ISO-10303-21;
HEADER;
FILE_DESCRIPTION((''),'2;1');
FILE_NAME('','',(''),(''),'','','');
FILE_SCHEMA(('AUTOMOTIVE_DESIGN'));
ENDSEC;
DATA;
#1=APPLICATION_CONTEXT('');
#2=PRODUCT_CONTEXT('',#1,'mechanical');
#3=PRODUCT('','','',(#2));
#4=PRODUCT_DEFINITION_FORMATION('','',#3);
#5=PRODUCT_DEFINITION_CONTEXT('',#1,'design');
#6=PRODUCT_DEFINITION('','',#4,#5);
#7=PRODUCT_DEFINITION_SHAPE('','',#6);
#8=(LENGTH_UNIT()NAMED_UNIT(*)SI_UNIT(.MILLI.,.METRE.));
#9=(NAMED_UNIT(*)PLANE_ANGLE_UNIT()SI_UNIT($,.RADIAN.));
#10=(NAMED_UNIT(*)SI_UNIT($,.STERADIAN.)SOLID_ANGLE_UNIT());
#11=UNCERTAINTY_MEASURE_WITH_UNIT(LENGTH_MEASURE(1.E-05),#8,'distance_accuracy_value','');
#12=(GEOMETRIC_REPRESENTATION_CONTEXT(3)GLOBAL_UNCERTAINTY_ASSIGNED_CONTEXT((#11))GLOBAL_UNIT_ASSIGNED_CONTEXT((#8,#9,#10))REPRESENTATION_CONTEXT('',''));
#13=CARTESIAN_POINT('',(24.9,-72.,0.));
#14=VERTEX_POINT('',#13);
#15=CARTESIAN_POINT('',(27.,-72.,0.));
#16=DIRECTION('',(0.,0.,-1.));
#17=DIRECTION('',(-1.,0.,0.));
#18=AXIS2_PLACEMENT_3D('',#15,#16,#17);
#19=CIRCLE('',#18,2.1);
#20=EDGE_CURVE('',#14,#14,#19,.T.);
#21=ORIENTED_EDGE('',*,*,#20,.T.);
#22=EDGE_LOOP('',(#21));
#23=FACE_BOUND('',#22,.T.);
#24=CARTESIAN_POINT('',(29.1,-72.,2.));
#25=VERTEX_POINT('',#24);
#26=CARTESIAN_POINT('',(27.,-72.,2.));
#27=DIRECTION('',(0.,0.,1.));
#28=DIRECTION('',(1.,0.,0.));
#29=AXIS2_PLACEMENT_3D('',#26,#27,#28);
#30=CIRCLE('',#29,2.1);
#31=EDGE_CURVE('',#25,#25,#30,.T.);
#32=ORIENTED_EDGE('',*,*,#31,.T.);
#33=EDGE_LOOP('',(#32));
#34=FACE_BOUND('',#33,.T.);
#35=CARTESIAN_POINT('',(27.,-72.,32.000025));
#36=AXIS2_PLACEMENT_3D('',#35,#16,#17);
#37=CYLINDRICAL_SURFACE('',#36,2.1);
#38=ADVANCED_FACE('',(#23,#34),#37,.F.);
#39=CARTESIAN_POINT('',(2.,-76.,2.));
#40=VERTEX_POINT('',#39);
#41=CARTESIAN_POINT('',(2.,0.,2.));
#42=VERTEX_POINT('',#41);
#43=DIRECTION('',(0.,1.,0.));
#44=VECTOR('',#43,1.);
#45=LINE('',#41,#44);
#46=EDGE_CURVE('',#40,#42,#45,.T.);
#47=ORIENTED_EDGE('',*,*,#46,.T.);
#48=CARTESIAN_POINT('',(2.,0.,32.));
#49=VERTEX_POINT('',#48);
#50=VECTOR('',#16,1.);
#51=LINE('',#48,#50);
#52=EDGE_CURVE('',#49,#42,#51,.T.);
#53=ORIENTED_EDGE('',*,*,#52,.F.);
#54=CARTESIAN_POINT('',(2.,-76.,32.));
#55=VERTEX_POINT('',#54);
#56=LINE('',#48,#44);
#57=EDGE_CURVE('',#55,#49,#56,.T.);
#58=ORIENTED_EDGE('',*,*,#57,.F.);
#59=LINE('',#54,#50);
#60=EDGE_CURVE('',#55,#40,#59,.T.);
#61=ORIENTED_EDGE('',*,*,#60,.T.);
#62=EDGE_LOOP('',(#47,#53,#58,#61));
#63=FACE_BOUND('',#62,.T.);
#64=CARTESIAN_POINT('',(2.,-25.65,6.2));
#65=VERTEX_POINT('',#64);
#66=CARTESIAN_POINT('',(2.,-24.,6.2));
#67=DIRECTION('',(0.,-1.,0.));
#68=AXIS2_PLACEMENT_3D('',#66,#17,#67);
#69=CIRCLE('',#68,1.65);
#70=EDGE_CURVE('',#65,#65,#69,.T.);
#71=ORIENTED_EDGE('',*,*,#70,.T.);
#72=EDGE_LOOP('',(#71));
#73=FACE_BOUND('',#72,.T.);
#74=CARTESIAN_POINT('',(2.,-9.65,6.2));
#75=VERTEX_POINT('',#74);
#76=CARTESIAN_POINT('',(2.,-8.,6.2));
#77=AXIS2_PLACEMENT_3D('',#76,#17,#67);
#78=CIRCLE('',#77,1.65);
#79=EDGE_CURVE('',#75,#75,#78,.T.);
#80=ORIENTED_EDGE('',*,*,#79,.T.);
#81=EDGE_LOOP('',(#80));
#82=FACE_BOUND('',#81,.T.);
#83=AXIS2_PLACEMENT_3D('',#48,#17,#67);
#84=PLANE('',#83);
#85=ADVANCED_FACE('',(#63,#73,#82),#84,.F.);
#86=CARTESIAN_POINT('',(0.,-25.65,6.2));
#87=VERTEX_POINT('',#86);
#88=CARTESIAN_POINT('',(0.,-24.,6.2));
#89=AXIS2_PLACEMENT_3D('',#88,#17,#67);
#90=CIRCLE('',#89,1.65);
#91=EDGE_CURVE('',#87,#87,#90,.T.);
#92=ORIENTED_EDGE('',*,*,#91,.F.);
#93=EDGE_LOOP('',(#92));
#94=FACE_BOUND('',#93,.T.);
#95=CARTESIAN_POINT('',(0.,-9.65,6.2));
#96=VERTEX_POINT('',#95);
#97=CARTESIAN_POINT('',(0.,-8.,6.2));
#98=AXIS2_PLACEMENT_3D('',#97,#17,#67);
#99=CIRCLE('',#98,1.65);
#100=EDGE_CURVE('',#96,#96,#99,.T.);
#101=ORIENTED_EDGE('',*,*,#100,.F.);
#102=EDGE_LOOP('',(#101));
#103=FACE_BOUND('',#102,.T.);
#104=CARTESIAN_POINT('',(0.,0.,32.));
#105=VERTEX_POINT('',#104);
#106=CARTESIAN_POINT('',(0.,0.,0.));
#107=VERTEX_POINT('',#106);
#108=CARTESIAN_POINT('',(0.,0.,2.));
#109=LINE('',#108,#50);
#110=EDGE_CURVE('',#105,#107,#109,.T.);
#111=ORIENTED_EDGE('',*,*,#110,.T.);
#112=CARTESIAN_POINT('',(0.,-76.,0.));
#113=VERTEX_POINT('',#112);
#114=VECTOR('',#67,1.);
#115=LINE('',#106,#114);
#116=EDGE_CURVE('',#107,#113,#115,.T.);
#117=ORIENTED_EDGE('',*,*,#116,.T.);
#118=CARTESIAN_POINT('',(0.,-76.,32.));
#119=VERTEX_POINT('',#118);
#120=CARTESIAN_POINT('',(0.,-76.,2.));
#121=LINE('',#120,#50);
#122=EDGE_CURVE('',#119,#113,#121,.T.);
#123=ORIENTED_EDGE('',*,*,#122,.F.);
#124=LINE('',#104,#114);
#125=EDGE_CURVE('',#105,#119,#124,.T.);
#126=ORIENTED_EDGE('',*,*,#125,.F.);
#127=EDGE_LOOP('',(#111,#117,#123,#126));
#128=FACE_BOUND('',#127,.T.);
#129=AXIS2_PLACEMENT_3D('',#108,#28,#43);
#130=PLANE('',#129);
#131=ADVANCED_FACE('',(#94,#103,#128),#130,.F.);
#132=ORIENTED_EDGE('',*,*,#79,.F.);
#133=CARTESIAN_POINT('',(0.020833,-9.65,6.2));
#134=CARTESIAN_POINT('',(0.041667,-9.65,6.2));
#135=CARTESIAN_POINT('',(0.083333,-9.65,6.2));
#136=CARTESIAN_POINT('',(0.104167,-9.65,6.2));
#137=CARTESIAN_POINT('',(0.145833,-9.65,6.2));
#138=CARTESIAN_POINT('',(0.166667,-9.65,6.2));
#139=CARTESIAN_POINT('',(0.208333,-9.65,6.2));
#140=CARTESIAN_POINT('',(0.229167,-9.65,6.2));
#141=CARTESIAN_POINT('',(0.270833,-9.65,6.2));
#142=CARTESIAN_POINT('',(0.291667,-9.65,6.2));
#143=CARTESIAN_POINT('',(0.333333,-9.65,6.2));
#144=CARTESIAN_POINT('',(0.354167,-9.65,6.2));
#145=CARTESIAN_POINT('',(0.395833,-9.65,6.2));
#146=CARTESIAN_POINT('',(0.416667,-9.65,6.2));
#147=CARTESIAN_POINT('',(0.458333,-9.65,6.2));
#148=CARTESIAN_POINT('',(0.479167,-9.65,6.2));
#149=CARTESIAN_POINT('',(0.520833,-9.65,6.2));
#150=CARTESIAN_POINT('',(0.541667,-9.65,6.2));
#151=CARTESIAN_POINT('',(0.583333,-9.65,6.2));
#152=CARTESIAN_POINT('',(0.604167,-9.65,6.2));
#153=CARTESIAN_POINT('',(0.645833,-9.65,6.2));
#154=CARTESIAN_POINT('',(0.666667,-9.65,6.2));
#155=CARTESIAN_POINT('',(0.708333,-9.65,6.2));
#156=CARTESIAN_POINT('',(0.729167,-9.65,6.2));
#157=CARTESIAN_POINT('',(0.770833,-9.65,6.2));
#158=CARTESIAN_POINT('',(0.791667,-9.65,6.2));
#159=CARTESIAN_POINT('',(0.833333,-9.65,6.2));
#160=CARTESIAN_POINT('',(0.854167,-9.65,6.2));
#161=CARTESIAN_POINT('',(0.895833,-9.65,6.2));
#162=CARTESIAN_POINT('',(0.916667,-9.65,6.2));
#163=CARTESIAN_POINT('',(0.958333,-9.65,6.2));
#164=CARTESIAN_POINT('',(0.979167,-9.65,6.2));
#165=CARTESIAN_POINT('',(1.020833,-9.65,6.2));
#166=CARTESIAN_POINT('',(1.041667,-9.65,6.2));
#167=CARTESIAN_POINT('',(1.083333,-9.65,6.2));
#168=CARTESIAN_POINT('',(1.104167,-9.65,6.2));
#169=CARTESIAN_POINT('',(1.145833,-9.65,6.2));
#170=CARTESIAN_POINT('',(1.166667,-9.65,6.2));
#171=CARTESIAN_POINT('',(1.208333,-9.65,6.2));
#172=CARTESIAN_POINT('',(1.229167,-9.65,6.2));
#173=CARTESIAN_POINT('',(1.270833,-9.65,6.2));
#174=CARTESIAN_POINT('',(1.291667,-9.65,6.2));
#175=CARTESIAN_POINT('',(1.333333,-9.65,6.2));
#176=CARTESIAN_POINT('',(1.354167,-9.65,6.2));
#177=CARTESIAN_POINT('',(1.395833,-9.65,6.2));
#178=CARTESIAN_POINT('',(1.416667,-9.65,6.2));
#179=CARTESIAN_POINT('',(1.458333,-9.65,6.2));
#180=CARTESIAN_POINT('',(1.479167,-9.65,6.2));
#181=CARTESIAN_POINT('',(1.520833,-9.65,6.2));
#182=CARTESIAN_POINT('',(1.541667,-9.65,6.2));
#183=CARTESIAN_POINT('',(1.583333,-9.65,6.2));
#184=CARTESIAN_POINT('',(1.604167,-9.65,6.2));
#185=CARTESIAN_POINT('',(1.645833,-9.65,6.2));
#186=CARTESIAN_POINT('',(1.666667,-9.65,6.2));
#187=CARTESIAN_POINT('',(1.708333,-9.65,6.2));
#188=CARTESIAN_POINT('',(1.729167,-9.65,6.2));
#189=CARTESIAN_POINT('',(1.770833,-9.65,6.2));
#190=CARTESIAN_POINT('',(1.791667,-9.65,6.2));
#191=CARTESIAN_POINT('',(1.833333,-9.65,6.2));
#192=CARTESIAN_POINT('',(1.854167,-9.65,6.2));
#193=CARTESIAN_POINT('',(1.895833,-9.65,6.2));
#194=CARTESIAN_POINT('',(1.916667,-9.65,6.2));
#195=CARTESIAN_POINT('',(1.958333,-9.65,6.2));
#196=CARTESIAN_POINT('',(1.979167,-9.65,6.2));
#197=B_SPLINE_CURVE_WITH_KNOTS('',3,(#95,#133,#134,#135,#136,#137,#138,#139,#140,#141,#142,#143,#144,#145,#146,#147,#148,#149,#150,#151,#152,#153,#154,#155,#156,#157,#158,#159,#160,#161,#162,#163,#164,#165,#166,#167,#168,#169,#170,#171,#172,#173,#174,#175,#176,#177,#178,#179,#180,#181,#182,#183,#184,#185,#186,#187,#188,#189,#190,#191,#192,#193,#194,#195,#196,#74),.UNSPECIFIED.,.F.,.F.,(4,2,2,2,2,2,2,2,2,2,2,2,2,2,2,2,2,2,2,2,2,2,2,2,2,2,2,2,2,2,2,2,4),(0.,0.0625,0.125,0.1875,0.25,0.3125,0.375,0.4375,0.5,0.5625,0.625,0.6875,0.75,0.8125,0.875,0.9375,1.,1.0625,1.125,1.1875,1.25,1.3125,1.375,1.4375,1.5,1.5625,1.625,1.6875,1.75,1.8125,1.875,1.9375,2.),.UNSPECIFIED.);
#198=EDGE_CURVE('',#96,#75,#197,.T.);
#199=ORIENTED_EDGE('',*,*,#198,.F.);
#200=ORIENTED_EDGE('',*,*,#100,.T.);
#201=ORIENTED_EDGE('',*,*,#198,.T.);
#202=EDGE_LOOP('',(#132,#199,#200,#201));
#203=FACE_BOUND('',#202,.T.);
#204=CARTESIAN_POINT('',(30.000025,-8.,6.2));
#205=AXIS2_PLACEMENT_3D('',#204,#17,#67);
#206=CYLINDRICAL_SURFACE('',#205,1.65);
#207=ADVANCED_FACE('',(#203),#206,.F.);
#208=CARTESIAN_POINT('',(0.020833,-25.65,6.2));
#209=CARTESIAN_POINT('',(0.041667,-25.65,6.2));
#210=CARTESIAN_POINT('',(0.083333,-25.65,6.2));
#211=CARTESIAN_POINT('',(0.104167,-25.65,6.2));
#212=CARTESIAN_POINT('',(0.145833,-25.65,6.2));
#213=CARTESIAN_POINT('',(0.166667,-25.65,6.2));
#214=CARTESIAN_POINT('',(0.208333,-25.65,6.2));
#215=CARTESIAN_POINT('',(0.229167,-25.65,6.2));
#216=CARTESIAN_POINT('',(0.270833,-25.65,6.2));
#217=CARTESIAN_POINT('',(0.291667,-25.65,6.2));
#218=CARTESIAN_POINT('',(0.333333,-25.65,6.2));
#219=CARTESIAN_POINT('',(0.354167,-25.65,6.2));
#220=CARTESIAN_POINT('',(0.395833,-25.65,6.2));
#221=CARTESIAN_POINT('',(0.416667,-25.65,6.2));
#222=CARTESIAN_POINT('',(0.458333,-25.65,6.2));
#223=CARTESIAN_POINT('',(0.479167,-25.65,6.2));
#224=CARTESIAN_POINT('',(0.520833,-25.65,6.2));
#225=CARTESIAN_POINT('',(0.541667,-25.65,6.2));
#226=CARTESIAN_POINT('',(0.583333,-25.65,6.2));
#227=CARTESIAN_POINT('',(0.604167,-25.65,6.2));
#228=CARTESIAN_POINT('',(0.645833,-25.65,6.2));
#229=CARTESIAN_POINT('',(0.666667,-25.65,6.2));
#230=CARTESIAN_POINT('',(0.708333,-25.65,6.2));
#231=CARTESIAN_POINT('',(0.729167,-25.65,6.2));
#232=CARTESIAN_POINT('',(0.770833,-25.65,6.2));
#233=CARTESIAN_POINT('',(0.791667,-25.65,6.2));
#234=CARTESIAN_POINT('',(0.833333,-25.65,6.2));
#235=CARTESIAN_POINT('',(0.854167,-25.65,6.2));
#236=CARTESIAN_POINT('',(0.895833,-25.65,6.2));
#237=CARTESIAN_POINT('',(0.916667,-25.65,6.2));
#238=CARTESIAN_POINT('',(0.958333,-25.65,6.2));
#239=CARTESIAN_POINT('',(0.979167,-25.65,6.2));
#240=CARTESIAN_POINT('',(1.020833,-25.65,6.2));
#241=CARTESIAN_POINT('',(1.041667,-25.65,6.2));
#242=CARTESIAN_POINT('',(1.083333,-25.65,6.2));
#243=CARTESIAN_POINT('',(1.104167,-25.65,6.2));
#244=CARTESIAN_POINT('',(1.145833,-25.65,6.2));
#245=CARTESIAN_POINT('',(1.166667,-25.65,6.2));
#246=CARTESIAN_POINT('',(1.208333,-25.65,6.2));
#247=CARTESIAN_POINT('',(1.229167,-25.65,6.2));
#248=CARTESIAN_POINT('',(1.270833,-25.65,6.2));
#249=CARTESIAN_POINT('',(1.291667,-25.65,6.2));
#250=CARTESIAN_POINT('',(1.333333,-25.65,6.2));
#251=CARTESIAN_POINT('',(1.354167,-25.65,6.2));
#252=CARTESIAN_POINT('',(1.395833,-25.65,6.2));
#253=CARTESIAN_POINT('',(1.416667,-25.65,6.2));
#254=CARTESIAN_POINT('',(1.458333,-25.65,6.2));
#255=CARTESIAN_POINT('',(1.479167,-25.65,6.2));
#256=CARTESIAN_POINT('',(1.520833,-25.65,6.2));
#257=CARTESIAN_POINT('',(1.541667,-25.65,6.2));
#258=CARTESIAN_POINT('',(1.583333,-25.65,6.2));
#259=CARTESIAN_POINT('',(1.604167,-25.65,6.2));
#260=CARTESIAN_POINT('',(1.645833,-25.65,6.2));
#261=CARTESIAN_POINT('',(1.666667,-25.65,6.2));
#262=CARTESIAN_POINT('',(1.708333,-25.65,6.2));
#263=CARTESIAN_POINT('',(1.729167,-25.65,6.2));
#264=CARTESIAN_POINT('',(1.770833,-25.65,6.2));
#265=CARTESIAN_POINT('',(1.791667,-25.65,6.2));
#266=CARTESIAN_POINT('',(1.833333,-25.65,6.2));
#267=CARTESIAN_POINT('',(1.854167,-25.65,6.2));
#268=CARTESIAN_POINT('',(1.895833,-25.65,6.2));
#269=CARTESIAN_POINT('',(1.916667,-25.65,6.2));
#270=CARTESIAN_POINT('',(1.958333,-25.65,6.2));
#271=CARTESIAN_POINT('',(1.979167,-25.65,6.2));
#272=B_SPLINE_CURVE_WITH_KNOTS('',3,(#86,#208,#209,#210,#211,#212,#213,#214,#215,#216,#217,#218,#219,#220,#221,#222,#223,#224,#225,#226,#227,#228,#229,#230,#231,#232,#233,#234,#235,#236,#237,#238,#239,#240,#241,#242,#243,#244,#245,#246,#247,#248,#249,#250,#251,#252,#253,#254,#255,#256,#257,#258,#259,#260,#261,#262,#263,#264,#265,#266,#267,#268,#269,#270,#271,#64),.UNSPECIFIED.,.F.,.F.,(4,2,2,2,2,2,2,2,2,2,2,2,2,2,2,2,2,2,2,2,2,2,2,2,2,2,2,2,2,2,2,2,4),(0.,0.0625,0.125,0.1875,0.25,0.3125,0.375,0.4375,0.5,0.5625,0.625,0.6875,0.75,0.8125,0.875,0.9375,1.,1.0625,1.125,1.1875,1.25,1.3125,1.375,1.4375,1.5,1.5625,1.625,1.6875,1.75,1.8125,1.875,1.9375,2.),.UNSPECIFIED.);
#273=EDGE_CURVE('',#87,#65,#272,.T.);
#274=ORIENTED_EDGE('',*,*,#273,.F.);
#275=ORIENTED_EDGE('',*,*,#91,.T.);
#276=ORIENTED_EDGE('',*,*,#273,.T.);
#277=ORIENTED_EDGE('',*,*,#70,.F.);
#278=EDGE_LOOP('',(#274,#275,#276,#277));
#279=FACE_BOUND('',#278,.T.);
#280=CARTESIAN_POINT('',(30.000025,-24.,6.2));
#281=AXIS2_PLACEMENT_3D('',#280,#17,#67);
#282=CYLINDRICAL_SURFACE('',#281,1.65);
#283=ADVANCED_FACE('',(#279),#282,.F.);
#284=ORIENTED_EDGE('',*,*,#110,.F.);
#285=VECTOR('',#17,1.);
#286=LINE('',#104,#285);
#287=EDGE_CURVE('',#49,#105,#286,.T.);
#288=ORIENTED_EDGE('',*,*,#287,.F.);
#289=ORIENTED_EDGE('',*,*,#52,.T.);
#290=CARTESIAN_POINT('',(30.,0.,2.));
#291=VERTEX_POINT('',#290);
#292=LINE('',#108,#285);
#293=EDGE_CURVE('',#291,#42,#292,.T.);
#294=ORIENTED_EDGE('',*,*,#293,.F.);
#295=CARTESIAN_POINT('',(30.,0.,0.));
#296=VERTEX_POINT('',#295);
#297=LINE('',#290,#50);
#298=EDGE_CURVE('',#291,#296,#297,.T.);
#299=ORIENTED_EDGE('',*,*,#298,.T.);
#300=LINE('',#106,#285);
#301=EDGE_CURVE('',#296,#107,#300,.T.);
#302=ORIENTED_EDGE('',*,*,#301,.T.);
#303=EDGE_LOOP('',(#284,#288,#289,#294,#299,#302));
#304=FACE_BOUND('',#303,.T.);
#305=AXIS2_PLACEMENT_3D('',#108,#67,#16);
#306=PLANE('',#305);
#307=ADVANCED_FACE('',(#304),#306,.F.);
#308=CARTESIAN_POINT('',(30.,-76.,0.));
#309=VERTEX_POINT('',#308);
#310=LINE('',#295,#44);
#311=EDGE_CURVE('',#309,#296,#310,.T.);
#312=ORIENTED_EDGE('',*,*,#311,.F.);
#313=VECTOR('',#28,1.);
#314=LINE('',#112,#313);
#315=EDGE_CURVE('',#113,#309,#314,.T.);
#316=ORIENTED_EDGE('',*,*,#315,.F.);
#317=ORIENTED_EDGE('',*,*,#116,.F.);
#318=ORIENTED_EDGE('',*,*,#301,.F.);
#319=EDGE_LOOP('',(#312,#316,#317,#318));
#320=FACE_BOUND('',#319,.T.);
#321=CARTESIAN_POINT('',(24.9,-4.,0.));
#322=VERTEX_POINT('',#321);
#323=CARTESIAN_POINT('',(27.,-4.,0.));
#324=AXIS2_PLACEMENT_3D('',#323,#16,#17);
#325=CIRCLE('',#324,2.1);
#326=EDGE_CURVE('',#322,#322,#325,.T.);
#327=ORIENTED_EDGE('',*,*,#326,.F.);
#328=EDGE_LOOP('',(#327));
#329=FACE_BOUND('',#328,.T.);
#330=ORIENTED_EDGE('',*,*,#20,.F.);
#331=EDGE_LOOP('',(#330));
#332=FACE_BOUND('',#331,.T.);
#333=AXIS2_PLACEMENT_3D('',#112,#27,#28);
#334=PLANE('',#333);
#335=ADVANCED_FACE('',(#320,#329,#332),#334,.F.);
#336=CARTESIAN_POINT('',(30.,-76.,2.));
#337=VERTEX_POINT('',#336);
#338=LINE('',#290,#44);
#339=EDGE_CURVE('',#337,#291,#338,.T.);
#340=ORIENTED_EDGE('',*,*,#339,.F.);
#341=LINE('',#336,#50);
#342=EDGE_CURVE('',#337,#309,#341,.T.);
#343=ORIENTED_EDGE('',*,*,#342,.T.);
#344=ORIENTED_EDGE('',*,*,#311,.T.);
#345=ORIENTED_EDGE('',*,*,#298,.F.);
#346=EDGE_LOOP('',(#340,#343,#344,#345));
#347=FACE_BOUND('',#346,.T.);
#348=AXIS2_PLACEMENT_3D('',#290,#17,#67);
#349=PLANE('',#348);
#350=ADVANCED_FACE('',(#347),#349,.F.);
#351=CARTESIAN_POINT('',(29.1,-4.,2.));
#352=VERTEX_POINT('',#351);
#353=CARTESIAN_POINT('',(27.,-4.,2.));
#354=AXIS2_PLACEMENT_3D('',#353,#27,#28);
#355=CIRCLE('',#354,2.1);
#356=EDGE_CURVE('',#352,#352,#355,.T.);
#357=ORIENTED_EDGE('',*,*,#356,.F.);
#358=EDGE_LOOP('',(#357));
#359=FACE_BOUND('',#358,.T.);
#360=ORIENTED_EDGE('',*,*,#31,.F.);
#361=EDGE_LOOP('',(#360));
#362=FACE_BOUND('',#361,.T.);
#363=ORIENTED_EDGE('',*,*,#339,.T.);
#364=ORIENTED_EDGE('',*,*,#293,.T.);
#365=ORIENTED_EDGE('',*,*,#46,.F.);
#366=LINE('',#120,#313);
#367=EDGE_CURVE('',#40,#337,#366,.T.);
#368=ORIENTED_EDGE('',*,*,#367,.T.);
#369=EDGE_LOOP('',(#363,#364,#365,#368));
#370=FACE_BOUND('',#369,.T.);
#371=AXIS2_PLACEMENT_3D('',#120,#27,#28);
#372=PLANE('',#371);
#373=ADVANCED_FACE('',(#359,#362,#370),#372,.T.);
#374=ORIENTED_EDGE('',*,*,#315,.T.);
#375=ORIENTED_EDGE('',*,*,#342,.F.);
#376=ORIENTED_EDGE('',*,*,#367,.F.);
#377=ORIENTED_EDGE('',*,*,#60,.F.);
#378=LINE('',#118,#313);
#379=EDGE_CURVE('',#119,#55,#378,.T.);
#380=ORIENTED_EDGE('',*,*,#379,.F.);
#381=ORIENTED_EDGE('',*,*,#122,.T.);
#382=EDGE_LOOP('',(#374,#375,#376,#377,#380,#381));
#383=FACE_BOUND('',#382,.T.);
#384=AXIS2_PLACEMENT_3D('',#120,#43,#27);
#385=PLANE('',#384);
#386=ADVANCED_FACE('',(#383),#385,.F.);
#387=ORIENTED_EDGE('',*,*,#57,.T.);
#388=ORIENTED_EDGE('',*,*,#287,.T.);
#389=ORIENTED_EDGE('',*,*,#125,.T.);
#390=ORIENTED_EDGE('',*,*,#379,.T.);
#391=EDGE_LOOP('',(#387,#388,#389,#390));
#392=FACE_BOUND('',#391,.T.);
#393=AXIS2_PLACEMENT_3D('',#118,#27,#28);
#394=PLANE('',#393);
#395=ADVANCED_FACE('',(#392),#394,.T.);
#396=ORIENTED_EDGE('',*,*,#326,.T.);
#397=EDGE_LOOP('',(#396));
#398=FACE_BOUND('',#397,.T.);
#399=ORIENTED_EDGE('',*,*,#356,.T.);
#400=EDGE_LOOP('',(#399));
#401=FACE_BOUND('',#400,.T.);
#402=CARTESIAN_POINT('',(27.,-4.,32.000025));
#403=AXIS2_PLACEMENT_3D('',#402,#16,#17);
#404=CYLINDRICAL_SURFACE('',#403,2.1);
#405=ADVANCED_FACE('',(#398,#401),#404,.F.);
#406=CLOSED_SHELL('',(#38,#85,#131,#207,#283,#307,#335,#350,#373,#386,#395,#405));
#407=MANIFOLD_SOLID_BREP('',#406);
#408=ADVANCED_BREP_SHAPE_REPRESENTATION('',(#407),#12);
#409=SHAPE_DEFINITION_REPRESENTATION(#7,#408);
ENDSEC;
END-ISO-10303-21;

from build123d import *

# Parameters (mm, degrees)
SKETCH_1_W          = 30
SKETCH_1_H          = 76
EXTRUDE_1_DEPTH     = 2
SKETCH_2_W          = 2
SKETCH_2_H          = 76
EXTRUDE_2_DEPTH     = 30
SKETCH_3_R          = 2.1
CUT_EXTRUDE_3_DEPTH = 88.749643874
SKETCH_4_R          = 1.65
CUT_EXTRUDE_4_DEPTH = 88.749643874


with BuildPart() as part:
    # ｽｹｯﾁ1 → 押し出し1 (new body)
    with BuildSketch(Plane.XY):
        with Locations((15, -38)):
            Rectangle(SKETCH_1_W, SKETCH_1_H)
    extrude(amount=EXTRUDE_1_DEPTH)

    # ｽｹｯﾁ2 → 押し出し2 (add)
    with BuildSketch(Plane.XY.offset(2)):
        with Locations((1, -38)):
            Rectangle(SKETCH_2_W, SKETCH_2_H)
    extrude(amount=EXTRUDE_2_DEPTH)

    # ｽｹｯﾁ3 → 押し出し3 (cut, through all)
    with BuildSketch(Plane(origin=(0, 0, 0), x_dir=(-1, 0, 0), z_dir=(0, 0, -1))):
        with Locations((-27, -4)):
            Circle(SKETCH_3_R)
        with Locations((-27, -72)):
            Circle(SKETCH_3_R)
    extrude(amount=-CUT_EXTRUDE_3_DEPTH, mode=Mode.SUBTRACT)

    # ｽｹｯﾁ4 → 押し出し4 (cut, through all)
    with BuildSketch(Plane.ZY):
        with Locations(Location((6.2, -8, 0), (0, 0, 270))):
            Circle(SKETCH_4_R)
        with Locations(Location((6.2, -24, 0), (0, 0, 270))):
            Circle(SKETCH_4_R)
    extrude(amount=-CUT_EXTRUDE_4_DEPTH, mode=Mode.SUBTRACT)


solid = part.part
